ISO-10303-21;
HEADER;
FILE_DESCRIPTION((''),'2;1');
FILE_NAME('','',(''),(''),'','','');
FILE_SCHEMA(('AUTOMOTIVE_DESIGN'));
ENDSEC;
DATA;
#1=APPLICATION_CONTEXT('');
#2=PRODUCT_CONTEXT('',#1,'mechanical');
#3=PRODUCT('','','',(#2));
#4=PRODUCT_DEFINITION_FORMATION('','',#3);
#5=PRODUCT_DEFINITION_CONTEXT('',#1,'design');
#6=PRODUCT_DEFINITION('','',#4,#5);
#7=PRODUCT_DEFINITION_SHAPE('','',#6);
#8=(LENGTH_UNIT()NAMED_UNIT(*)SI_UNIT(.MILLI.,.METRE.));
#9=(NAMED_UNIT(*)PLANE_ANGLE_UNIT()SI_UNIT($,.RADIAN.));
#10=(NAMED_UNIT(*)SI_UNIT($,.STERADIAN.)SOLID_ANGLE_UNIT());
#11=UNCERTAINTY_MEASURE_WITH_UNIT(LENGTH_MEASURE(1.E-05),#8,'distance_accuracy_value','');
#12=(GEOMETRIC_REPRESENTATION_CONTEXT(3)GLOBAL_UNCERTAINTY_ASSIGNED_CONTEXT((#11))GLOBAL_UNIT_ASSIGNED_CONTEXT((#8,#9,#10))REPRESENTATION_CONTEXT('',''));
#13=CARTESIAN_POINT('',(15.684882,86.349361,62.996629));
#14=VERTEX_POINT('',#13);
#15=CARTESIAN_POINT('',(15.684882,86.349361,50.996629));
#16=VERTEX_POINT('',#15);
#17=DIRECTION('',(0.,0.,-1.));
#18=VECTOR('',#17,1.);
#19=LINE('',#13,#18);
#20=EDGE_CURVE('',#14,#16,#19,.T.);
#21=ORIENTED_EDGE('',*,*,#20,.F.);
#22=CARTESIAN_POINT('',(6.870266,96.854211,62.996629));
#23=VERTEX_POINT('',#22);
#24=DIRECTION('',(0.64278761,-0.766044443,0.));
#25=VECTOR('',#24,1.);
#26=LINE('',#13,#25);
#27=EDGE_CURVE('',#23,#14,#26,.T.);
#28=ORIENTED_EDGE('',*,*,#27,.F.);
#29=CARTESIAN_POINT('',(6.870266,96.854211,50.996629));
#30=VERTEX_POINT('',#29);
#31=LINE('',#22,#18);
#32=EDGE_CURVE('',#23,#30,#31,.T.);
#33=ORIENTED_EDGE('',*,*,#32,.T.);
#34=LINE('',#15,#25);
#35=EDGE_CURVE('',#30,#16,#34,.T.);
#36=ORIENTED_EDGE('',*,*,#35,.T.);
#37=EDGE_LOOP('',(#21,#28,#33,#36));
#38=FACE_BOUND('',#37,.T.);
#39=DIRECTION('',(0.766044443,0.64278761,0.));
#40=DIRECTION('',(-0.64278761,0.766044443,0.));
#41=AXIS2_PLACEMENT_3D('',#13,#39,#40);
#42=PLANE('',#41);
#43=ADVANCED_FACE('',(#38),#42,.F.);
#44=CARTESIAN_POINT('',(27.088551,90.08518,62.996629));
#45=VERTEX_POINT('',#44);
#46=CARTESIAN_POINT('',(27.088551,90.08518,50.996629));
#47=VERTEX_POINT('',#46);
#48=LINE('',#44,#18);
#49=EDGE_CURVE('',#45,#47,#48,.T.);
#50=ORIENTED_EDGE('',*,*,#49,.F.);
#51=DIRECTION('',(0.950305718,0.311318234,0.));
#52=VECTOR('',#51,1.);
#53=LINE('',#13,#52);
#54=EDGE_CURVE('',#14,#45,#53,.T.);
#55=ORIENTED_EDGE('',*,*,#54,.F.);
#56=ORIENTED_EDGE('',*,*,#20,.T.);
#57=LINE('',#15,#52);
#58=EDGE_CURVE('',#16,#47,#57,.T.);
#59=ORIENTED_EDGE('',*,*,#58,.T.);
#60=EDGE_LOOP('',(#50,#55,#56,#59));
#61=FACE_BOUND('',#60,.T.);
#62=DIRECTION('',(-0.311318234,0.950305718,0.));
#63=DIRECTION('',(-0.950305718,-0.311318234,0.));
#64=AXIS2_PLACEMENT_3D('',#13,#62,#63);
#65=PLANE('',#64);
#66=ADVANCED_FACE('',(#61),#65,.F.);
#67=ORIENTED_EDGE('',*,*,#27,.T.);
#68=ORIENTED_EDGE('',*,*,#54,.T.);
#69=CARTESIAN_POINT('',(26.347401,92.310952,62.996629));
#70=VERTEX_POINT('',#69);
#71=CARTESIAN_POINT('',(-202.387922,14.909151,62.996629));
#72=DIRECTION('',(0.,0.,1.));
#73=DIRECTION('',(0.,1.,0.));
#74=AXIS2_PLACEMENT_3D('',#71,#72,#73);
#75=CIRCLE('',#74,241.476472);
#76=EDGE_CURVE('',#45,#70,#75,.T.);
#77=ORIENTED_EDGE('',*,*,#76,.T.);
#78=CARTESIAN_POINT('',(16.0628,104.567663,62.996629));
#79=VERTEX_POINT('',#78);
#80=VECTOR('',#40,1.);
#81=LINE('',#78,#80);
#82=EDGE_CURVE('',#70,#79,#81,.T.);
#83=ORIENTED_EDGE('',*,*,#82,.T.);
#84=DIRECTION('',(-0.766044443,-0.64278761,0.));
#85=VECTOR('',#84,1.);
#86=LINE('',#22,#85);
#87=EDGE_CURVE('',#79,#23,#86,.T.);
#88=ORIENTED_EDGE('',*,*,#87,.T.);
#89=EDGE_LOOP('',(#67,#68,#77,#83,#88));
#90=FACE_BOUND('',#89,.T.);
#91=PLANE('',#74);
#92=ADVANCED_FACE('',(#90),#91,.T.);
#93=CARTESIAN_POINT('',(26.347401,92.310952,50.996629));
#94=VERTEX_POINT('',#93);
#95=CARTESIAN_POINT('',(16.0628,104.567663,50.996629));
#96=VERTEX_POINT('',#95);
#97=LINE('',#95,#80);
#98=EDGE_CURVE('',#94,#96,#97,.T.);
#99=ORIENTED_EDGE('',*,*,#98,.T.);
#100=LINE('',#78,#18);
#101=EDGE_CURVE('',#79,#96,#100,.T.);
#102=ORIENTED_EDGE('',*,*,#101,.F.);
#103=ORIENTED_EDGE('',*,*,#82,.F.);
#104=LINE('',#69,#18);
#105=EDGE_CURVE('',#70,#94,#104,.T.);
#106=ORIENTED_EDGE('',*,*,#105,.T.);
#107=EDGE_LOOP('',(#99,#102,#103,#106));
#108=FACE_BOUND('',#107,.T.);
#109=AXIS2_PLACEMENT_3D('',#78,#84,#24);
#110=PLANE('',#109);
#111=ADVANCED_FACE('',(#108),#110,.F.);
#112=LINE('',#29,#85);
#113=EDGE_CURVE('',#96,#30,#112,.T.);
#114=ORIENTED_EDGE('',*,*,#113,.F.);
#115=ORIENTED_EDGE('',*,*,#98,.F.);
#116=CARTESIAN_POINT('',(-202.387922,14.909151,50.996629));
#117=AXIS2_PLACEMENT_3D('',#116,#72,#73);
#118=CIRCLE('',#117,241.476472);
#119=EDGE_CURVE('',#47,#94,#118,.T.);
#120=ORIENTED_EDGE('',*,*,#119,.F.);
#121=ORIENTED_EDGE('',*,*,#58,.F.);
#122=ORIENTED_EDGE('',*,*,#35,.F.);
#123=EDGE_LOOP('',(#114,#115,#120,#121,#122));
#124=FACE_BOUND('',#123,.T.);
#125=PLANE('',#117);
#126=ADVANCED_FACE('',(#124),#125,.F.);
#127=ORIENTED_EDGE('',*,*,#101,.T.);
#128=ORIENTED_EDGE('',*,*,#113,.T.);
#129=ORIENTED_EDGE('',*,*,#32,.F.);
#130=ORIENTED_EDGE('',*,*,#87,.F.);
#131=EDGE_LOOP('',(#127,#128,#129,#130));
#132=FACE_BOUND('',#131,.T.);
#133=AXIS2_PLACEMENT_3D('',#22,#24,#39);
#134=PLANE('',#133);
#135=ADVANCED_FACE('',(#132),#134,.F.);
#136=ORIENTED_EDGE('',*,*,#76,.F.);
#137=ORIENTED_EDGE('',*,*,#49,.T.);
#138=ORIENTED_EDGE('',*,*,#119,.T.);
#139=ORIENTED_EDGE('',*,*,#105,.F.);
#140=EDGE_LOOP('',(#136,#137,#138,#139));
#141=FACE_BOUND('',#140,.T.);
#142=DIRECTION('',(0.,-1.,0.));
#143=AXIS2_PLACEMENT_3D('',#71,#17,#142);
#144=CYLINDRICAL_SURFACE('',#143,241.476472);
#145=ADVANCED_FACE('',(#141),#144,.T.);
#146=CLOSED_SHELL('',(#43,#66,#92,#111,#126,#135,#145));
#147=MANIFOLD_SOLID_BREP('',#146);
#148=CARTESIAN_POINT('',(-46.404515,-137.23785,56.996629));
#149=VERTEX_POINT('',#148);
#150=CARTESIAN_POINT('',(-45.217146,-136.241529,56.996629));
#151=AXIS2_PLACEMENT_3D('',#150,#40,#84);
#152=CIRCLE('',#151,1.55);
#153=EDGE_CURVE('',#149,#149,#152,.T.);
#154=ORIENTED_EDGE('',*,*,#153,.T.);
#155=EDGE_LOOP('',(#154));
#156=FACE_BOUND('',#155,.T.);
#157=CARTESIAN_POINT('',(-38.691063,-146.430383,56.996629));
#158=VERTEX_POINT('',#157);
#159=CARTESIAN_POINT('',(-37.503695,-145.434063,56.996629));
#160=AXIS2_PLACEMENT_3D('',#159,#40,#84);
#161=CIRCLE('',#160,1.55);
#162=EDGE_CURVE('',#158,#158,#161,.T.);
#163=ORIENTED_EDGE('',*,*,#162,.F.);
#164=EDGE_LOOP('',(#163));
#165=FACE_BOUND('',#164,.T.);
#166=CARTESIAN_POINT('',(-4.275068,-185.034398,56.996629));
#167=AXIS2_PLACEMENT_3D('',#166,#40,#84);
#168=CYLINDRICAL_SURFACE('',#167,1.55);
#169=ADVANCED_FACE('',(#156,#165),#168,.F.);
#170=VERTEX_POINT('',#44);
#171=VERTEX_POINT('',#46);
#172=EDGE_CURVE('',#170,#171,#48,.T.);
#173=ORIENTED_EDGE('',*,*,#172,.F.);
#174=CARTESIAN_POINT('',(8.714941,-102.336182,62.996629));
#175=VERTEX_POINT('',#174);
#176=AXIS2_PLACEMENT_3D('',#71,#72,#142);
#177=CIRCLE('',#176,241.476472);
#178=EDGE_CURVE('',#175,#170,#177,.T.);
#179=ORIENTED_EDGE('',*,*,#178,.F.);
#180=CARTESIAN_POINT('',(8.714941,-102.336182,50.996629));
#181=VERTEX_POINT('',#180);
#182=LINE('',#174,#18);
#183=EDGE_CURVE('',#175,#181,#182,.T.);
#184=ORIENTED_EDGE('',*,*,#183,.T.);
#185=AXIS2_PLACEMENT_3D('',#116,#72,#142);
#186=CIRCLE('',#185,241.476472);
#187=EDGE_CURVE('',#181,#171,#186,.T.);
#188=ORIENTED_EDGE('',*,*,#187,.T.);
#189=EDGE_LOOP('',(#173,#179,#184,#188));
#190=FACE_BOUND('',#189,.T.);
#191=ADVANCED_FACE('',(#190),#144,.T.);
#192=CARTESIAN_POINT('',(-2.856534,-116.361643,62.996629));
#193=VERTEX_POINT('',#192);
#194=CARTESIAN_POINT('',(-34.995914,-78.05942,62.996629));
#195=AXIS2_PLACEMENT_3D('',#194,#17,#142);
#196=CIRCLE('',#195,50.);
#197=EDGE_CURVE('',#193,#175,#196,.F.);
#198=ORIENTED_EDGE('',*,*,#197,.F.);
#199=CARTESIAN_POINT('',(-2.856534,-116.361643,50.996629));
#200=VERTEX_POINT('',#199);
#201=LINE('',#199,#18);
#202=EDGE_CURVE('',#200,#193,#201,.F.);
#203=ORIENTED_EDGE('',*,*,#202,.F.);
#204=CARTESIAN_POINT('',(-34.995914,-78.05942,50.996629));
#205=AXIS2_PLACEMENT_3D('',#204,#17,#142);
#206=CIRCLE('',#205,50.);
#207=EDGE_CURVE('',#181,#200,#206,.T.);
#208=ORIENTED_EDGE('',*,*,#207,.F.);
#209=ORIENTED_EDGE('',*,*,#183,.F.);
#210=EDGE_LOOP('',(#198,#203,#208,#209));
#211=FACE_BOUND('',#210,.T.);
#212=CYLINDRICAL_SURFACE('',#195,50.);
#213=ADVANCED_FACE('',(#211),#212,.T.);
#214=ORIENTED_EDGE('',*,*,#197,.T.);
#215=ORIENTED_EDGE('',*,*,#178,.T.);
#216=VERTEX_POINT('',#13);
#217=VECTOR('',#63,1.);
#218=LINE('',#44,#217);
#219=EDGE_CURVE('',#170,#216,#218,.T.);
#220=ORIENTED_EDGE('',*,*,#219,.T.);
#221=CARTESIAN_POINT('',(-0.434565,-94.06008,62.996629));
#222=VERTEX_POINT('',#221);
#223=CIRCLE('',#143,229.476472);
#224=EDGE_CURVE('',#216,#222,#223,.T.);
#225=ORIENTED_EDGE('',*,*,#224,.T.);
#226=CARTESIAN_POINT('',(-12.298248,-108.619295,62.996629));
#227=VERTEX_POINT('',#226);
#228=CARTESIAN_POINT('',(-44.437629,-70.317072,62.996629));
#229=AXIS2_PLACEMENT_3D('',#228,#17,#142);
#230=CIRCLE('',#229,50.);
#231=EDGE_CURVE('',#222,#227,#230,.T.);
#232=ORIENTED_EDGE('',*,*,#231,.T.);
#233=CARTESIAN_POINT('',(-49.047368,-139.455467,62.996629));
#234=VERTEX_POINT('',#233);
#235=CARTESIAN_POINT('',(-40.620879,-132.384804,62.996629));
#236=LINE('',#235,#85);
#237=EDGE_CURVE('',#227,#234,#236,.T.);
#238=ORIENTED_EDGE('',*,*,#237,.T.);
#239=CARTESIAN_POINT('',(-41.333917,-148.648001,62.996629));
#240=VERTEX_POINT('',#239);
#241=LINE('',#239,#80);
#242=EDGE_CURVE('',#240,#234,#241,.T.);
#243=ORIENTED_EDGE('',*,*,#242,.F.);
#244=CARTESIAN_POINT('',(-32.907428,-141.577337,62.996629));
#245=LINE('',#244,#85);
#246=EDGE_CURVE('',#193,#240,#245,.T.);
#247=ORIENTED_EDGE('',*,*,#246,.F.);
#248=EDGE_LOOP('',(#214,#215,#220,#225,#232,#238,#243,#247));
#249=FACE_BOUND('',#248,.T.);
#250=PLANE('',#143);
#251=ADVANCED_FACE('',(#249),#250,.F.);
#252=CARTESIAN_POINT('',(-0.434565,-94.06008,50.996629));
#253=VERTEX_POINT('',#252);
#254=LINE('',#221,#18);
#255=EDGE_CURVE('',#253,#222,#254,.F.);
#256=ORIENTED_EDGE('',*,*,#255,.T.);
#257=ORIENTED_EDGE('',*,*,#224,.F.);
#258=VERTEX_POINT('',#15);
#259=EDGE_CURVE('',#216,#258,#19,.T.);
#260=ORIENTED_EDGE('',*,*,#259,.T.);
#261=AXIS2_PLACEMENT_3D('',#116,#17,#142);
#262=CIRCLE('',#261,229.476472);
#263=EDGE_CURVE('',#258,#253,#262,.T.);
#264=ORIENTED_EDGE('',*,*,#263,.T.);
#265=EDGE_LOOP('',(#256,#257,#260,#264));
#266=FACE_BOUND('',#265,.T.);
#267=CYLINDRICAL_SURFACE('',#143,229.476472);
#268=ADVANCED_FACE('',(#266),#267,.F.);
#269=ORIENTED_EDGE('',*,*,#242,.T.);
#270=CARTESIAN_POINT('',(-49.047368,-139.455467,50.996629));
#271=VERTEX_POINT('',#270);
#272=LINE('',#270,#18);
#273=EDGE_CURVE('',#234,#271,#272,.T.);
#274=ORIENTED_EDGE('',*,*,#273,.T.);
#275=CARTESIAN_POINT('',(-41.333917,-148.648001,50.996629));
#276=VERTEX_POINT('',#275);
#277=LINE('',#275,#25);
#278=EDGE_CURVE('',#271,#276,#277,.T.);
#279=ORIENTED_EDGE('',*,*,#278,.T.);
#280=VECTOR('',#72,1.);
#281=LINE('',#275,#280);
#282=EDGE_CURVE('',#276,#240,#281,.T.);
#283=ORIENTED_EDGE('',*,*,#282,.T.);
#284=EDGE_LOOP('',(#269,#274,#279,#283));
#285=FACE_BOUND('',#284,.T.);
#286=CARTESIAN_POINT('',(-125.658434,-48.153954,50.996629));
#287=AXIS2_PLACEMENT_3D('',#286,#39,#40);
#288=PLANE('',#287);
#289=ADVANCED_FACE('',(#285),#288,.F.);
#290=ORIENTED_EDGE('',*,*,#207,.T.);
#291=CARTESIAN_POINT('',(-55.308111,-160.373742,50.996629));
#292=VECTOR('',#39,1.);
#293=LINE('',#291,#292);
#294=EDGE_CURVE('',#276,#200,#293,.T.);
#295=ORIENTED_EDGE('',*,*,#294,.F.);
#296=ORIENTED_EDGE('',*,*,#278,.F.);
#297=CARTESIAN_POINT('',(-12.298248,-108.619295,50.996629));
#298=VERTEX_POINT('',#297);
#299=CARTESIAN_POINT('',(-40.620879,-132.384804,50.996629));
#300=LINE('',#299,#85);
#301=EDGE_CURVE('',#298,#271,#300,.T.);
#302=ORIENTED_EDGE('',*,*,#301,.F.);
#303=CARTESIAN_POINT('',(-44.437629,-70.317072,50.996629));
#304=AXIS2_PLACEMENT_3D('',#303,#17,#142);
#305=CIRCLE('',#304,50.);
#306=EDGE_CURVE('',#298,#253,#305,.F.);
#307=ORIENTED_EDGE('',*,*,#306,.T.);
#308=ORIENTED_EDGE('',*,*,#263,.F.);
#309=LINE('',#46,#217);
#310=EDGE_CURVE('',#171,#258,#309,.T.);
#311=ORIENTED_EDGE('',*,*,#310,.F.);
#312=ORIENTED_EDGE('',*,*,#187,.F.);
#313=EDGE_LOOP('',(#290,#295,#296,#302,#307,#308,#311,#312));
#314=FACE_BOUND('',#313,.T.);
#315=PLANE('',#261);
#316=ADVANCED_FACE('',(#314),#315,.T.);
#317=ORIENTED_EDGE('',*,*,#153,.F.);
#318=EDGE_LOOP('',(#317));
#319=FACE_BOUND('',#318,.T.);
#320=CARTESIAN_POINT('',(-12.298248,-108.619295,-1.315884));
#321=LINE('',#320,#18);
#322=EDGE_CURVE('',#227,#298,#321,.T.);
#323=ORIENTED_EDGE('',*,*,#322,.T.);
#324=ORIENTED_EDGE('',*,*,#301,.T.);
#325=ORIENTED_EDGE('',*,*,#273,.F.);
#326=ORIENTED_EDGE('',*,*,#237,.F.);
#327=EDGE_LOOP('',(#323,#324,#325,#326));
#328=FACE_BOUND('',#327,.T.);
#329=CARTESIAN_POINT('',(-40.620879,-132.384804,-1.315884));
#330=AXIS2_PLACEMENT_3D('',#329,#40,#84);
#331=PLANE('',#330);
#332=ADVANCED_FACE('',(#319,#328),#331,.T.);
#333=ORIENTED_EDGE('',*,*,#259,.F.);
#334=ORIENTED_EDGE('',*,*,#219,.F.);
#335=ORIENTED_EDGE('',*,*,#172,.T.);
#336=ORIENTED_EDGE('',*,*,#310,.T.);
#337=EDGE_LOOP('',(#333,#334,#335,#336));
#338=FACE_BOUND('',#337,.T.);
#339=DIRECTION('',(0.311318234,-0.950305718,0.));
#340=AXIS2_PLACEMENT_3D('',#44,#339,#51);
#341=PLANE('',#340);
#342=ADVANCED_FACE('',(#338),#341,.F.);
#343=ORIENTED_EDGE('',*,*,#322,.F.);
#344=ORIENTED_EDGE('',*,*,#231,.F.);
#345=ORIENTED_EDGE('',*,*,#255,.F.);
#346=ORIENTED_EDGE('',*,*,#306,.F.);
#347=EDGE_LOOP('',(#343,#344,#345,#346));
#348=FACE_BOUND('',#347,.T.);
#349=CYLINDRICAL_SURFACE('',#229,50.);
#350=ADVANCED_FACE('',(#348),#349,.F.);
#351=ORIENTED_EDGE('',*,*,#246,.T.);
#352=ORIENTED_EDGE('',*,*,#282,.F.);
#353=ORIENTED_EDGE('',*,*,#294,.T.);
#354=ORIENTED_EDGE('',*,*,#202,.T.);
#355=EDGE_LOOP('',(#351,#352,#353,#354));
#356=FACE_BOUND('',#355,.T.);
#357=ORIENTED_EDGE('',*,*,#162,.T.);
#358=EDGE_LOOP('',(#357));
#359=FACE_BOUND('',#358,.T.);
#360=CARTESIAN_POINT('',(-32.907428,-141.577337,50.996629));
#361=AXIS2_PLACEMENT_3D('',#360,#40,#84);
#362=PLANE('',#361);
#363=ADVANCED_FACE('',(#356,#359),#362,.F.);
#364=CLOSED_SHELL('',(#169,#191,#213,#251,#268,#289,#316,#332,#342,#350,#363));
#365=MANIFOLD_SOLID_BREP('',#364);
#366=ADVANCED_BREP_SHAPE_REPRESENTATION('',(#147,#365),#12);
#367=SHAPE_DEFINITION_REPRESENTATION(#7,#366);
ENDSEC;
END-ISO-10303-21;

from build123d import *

# Parameters (mm, degrees)
AUFSATZ_LINEAR_AUSTRAGEN1_DEPTH    = 12
AUFSATZ_LINEAR_AUSTRAGEN3_DEPTH    = 12
AUFSATZ_LINEAR_AUSTRAGEN4_DEPTH    = 12
SCHNITT_LINEAR_AUSTRAGEN1_DEPTH    = 254.175024926
VERRUNDUNG1_R                      = 50
SKIZZE9_W                          = 12
SKIZZE9_H                          = 12
AUFSATZ_LINEAR_AUSTRAGEN6_DEPTH    = 11
SKIZZE11_R                         = 1.55
SCHNITT_LINEAR_AUSTRAGEN4_DEPTH    = 222.40836864
K_RPER_VERSCHIEBEN_KOPIEREN2_ANGLE = 120


with BuildPart() as part:
    # Skizze1 → Aufsatz-Linear austragen1 (new body)
    with BuildSketch(Plane(origin=(0, 0, 0), x_dir=(0, 0, -1), z_dir=(1, 0, 0))):
        with BuildLine():
            Line((-240, 65), (-230.735708163, 72.773663864))
            ThreePointArc((-230.735708163, 72.773663864), (-123.944567763, 17.242039243), (-3.735818811, 23.403668612))
            Line((-3.735818811, 23.403668612), (0, 12))
            ThreePointArc((0, 12), (-127.247502729, 5.681119716), (-240, 65))
        make_face()
    extrude(amount=AUFSATZ_LINEAR_AUSTRAGEN1_DEPTH)

    # Skizze5 → Aufsatz-Linear austragen4 (add)
    with BuildSketch(Plane(origin=(12, 0, 0), x_dir=(0, 0, -1), z_dir=(1, 0, 0))):
        Polygon((-231.662517154, 71.995978781), (-222.469983836, 79.709430098), (-210.899806862, 65.920630121), (-192.948331238, 44.526894555), (-220.092340179, 58.207178805), align=None)
    extrude(amount=-AUFSATZ_LINEAR_AUSTRAGEN4_DEPTH)

    # Skizze6 → Schnitt-Linear austragen1 (cut, through all)
    with BuildSketch(Plane(origin=(12, 0, 0), x_dir=(0, 0, -1), z_dir=(1, 0, 0))):
        Polygon((-231.662517154, 71.995978781), (-199.510648028, 33.678873242), (-204.367668784, 29.603348917), (-240, 65), align=None)
    extrude(amount=-SCHNITT_LINEAR_AUSTRAGEN1_DEPTH, mode=Mode.SUBTRACT)

    # Verrundung1
    verrundung1_edges = [part.edges().sort_by_distance(p)[0] for p in [
        (6, 44.526894555, 192.948331238),
        (6, 35.285406895, 200.858689823),
    ]]
    fillet(verrundung1_edges, radius=VERRUNDUNG1_R)

    # Skizze9 → Aufsatz-Linear austragen6 (add)
    with BuildSketch(Plane(origin=(0, 156.320496136, 131.168470653), x_dir=(1, 0, 0), z_dir=(0, 0.7660444431189836, 0.6427876096865328))):
        with Locations((6, -125.185660837)):
            Rectangle(SKIZZE9_W, SKIZZE9_H)
    extrude(amount=AUFSATZ_LINEAR_AUSTRAGEN6_DEPTH)

    # Skizze11 → Schnitt-Linear austragen4 (cut, through all)
    with BuildSketch(Plane(origin=(0, -76.611066038, 91.301513183), x_dir=(-1, 0, 0), z_dir=(0, 0.6427876096865329, -0.7660444431189836))):
        with Locations(Location((-6, 210.061915128, 0), (0, 0, 90))):
            Circle(SKIZZE11_R)
    extrude(amount=-SCHNITT_LINEAR_AUSTRAGEN4_DEPTH, mode=Mode.SUBTRACT)


with BuildPart() as body_2:
    # Skizze4 → Aufsatz-Linear austragen3 (new body)
    with BuildSketch(Plane(origin=(0, 0, 0), x_dir=(0, 0, -1), z_dir=(1, 0, 0))):
        with BuildLine():
            Line((-3.735818811, 23.403668612), (6.769031275, 32.218284445))
            Line((6.769031275, 32.218284445), (14.482482591, 23.025751128))
            Line((14.482482591, 23.025751128), (2.225771501, 12.741149373))
            ThreePointArc((2.225771501, 12.741149373), (1.113785782, 12.367871772), (0, 12))
            Line((0, 12), (-3.735818811, 23.403668612))
        make_face()
    extrude(amount=AUFSATZ_LINEAR_AUSTRAGEN3_DEPTH)


with BuildPart() as part_1:
    # Körper-Verschieben/Kopieren2: moved
    add(part.part.rotate(Axis((-3.969359472, 43.057910326, 47.027269798), (0.5773502691896252, -0.5773502691896272, 0.5773502691896252)), K_RPER_VERSCHIEBEN_KOPIEREN2_ANGLE))


with BuildPart() as body_2_1:
    # Körper-Verschieben/Kopieren2: moved
    add(body_2.part.rotate(Axis((-3.969359472, 43.057910326, 47.027269798), (0.5773502691896252, -0.5773502691896272, 0.5773502691896252)), K_RPER_VERSCHIEBEN_KOPIEREN2_ANGLE))


solid = Compound([part_1.part, body_2_1.part])
